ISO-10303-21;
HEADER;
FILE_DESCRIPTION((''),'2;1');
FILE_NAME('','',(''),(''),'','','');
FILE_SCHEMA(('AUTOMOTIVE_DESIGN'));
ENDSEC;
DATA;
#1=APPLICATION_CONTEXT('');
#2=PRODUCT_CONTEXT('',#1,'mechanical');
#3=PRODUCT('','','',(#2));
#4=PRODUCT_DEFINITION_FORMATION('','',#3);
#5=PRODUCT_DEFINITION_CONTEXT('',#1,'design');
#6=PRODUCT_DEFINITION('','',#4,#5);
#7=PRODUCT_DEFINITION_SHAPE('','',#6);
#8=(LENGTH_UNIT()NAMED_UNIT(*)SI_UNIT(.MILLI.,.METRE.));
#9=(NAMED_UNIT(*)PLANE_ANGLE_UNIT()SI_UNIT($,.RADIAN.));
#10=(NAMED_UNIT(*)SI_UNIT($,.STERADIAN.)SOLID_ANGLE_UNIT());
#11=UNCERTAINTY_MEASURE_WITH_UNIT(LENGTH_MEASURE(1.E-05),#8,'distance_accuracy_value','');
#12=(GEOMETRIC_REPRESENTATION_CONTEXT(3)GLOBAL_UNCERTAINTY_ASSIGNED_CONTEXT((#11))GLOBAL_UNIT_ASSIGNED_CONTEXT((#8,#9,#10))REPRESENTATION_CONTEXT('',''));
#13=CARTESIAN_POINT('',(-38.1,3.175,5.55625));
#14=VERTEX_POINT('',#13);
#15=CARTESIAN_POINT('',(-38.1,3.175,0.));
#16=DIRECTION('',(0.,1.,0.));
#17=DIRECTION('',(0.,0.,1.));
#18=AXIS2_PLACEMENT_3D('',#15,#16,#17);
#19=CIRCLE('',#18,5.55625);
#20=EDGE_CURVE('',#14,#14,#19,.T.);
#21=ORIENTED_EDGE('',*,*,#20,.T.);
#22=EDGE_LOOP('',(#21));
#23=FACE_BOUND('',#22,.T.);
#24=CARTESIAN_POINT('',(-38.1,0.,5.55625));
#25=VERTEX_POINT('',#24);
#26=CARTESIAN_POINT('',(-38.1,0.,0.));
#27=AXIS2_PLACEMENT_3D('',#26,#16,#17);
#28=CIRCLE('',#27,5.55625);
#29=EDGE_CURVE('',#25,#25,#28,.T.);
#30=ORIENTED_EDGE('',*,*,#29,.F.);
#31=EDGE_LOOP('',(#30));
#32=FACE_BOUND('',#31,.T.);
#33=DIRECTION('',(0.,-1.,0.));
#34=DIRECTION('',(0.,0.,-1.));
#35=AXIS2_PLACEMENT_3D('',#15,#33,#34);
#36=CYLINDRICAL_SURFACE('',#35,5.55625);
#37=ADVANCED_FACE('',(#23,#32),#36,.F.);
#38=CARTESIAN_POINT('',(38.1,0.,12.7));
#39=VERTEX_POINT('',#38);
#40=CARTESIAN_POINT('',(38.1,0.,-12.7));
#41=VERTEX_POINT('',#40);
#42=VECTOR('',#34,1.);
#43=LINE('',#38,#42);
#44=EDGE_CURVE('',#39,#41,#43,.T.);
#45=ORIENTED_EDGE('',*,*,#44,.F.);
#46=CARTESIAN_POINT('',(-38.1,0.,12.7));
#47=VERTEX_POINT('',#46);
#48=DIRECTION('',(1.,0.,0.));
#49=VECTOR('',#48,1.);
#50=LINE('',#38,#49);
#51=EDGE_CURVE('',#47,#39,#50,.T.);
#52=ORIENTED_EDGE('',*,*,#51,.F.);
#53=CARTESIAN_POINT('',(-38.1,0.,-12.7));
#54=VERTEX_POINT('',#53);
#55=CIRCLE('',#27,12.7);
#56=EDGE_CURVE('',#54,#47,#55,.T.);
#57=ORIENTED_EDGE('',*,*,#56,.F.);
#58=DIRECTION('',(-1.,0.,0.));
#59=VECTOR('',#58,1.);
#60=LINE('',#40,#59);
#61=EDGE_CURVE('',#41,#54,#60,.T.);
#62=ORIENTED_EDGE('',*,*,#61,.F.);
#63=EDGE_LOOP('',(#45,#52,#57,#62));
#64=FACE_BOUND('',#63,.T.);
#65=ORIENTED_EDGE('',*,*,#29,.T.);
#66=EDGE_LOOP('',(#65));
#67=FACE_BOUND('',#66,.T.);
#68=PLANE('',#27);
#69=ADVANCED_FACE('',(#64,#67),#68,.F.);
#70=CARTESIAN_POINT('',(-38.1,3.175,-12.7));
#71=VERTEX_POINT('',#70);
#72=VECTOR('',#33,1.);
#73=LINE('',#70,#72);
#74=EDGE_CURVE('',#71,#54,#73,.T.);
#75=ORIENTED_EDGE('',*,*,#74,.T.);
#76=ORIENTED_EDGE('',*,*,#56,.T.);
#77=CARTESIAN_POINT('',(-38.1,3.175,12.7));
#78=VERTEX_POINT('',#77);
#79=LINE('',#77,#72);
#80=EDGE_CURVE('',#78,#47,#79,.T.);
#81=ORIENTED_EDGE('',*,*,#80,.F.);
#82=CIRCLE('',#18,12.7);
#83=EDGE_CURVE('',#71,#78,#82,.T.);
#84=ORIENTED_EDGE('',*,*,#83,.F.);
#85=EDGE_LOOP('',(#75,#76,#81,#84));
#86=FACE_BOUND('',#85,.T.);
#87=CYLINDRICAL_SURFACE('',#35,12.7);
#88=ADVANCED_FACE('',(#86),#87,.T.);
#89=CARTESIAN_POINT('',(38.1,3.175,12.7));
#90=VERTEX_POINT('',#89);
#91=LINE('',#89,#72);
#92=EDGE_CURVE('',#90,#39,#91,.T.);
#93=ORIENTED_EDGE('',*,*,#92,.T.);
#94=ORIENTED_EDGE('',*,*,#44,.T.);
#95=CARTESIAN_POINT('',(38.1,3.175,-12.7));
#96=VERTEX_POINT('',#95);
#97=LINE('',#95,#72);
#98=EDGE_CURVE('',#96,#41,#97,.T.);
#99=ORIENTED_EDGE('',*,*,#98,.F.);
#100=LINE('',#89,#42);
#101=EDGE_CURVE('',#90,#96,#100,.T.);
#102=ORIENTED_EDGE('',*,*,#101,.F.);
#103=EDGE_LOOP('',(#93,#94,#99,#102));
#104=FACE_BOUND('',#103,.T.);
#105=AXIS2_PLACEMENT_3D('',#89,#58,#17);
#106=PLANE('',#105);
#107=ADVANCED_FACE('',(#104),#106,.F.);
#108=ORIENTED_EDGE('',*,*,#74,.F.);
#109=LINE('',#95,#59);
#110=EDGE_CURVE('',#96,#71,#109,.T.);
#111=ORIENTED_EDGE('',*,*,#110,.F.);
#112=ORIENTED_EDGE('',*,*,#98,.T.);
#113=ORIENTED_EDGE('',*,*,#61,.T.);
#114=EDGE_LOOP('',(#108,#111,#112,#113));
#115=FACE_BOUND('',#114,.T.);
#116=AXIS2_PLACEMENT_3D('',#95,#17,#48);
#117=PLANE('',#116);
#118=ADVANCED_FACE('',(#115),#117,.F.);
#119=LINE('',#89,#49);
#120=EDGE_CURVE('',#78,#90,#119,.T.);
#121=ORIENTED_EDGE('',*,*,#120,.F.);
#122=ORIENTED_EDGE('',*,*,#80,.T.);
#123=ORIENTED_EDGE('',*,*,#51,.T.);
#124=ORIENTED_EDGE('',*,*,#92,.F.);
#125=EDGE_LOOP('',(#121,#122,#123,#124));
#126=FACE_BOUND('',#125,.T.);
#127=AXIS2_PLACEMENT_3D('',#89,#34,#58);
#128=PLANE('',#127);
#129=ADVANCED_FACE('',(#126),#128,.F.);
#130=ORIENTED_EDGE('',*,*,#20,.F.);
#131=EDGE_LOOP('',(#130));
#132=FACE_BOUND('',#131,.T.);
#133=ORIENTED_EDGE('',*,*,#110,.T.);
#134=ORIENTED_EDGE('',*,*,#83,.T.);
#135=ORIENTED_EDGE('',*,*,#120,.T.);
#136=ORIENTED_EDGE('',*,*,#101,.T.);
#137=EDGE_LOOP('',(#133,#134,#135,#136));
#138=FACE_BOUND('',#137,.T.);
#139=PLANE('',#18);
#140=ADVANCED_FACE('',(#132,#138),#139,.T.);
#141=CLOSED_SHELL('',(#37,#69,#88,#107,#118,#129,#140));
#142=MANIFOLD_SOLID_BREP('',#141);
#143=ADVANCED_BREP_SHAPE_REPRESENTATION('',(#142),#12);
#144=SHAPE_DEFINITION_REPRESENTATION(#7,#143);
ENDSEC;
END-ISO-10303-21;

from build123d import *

# Parameters (mm, degrees)
SKETCH1_R           = 5.55625
BOSS_EXTRUDE1_DEPTH = 3.175


with BuildPart() as part:
    # Sketch1 → Boss-Extrude1 (new body)
    with BuildSketch(Plane(origin=(0, 0, 0), x_dir=(1, 0, 0), z_dir=(0, 1, 0))):
        with BuildLine():
            Line((38.1, -12.7), (-38.1, -12.7))
            ThreePointArc((-38.1, -12.7), (-50.8, 0), (-38.1, 12.7))
            Line((-38.1, 12.7), (38.1, 12.7))
            Line((38.1, 12.7), (38.1, -12.7))
        make_face()
        with Locations(Location((-38.1, 0, 0), (0, 0, 270))):
            Circle(SKETCH1_R, mode=Mode.SUBTRACT)
    extrude(amount=BOSS_EXTRUDE1_DEPTH)


solid = part.part
